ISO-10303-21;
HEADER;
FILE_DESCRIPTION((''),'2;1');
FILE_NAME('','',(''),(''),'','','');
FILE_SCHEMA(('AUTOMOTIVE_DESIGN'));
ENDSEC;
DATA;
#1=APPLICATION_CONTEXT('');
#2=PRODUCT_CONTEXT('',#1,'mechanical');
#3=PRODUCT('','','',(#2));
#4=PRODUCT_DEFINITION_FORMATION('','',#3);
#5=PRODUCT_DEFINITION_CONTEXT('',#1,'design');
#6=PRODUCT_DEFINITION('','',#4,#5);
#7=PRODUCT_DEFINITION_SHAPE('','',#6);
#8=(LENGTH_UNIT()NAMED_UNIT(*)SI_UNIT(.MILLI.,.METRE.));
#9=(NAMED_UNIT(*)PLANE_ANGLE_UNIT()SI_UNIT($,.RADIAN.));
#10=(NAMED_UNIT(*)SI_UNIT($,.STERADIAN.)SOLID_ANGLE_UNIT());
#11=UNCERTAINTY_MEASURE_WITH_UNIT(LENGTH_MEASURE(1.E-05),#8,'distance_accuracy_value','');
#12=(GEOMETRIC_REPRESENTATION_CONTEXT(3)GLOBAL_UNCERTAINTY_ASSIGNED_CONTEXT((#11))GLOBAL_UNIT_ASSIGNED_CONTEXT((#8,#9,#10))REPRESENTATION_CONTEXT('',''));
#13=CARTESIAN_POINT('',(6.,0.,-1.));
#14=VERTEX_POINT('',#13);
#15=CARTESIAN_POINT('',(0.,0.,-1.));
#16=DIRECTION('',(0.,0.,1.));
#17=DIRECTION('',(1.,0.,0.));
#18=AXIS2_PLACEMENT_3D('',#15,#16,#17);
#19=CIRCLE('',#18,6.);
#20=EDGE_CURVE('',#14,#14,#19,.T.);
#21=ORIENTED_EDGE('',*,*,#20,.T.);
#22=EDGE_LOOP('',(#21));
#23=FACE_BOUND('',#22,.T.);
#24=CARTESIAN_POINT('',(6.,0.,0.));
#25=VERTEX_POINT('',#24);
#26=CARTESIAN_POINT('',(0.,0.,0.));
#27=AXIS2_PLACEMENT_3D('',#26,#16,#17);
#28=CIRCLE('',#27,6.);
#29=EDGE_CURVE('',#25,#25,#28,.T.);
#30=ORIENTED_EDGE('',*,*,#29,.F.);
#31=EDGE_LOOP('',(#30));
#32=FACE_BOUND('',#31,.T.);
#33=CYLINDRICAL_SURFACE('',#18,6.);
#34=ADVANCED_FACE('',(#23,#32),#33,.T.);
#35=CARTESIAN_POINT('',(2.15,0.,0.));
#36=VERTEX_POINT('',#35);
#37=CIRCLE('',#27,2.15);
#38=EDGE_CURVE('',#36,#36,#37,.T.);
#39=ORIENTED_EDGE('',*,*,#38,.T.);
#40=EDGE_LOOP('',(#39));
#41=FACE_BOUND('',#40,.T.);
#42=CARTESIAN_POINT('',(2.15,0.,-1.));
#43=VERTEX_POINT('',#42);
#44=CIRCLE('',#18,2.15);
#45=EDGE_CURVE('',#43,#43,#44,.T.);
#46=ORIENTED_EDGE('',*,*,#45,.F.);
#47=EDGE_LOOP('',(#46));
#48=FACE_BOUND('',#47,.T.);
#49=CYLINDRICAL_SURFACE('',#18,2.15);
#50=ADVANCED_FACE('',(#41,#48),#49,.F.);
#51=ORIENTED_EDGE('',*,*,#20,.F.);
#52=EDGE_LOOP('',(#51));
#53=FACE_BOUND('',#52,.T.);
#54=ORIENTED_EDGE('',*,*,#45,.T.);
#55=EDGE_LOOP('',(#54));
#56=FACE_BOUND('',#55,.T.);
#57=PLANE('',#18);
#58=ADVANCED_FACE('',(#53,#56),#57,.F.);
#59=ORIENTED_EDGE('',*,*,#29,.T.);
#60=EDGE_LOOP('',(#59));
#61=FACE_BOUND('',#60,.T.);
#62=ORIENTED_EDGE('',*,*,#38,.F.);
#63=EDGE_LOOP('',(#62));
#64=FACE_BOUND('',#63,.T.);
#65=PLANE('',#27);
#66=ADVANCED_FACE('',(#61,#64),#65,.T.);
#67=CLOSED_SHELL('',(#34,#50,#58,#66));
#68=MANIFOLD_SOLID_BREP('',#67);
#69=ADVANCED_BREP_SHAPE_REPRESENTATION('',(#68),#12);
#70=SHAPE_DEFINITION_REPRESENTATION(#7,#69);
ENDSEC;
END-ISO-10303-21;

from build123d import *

# Parameters (mm, degrees)
SKETCH1_R          = 6
SKETCH1_R_2        = 2.15
BASE_EXTRUDE_DEPTH = 1


with BuildPart() as part:
    # Sketch1 → Base-Extrude (new body)
    with BuildSketch(Plane.XY):
        Circle(SKETCH1_R)
        Circle(SKETCH1_R_2, mode=Mode.SUBTRACT)
    extrude(amount=-BASE_EXTRUDE_DEPTH)


solid = part.part
